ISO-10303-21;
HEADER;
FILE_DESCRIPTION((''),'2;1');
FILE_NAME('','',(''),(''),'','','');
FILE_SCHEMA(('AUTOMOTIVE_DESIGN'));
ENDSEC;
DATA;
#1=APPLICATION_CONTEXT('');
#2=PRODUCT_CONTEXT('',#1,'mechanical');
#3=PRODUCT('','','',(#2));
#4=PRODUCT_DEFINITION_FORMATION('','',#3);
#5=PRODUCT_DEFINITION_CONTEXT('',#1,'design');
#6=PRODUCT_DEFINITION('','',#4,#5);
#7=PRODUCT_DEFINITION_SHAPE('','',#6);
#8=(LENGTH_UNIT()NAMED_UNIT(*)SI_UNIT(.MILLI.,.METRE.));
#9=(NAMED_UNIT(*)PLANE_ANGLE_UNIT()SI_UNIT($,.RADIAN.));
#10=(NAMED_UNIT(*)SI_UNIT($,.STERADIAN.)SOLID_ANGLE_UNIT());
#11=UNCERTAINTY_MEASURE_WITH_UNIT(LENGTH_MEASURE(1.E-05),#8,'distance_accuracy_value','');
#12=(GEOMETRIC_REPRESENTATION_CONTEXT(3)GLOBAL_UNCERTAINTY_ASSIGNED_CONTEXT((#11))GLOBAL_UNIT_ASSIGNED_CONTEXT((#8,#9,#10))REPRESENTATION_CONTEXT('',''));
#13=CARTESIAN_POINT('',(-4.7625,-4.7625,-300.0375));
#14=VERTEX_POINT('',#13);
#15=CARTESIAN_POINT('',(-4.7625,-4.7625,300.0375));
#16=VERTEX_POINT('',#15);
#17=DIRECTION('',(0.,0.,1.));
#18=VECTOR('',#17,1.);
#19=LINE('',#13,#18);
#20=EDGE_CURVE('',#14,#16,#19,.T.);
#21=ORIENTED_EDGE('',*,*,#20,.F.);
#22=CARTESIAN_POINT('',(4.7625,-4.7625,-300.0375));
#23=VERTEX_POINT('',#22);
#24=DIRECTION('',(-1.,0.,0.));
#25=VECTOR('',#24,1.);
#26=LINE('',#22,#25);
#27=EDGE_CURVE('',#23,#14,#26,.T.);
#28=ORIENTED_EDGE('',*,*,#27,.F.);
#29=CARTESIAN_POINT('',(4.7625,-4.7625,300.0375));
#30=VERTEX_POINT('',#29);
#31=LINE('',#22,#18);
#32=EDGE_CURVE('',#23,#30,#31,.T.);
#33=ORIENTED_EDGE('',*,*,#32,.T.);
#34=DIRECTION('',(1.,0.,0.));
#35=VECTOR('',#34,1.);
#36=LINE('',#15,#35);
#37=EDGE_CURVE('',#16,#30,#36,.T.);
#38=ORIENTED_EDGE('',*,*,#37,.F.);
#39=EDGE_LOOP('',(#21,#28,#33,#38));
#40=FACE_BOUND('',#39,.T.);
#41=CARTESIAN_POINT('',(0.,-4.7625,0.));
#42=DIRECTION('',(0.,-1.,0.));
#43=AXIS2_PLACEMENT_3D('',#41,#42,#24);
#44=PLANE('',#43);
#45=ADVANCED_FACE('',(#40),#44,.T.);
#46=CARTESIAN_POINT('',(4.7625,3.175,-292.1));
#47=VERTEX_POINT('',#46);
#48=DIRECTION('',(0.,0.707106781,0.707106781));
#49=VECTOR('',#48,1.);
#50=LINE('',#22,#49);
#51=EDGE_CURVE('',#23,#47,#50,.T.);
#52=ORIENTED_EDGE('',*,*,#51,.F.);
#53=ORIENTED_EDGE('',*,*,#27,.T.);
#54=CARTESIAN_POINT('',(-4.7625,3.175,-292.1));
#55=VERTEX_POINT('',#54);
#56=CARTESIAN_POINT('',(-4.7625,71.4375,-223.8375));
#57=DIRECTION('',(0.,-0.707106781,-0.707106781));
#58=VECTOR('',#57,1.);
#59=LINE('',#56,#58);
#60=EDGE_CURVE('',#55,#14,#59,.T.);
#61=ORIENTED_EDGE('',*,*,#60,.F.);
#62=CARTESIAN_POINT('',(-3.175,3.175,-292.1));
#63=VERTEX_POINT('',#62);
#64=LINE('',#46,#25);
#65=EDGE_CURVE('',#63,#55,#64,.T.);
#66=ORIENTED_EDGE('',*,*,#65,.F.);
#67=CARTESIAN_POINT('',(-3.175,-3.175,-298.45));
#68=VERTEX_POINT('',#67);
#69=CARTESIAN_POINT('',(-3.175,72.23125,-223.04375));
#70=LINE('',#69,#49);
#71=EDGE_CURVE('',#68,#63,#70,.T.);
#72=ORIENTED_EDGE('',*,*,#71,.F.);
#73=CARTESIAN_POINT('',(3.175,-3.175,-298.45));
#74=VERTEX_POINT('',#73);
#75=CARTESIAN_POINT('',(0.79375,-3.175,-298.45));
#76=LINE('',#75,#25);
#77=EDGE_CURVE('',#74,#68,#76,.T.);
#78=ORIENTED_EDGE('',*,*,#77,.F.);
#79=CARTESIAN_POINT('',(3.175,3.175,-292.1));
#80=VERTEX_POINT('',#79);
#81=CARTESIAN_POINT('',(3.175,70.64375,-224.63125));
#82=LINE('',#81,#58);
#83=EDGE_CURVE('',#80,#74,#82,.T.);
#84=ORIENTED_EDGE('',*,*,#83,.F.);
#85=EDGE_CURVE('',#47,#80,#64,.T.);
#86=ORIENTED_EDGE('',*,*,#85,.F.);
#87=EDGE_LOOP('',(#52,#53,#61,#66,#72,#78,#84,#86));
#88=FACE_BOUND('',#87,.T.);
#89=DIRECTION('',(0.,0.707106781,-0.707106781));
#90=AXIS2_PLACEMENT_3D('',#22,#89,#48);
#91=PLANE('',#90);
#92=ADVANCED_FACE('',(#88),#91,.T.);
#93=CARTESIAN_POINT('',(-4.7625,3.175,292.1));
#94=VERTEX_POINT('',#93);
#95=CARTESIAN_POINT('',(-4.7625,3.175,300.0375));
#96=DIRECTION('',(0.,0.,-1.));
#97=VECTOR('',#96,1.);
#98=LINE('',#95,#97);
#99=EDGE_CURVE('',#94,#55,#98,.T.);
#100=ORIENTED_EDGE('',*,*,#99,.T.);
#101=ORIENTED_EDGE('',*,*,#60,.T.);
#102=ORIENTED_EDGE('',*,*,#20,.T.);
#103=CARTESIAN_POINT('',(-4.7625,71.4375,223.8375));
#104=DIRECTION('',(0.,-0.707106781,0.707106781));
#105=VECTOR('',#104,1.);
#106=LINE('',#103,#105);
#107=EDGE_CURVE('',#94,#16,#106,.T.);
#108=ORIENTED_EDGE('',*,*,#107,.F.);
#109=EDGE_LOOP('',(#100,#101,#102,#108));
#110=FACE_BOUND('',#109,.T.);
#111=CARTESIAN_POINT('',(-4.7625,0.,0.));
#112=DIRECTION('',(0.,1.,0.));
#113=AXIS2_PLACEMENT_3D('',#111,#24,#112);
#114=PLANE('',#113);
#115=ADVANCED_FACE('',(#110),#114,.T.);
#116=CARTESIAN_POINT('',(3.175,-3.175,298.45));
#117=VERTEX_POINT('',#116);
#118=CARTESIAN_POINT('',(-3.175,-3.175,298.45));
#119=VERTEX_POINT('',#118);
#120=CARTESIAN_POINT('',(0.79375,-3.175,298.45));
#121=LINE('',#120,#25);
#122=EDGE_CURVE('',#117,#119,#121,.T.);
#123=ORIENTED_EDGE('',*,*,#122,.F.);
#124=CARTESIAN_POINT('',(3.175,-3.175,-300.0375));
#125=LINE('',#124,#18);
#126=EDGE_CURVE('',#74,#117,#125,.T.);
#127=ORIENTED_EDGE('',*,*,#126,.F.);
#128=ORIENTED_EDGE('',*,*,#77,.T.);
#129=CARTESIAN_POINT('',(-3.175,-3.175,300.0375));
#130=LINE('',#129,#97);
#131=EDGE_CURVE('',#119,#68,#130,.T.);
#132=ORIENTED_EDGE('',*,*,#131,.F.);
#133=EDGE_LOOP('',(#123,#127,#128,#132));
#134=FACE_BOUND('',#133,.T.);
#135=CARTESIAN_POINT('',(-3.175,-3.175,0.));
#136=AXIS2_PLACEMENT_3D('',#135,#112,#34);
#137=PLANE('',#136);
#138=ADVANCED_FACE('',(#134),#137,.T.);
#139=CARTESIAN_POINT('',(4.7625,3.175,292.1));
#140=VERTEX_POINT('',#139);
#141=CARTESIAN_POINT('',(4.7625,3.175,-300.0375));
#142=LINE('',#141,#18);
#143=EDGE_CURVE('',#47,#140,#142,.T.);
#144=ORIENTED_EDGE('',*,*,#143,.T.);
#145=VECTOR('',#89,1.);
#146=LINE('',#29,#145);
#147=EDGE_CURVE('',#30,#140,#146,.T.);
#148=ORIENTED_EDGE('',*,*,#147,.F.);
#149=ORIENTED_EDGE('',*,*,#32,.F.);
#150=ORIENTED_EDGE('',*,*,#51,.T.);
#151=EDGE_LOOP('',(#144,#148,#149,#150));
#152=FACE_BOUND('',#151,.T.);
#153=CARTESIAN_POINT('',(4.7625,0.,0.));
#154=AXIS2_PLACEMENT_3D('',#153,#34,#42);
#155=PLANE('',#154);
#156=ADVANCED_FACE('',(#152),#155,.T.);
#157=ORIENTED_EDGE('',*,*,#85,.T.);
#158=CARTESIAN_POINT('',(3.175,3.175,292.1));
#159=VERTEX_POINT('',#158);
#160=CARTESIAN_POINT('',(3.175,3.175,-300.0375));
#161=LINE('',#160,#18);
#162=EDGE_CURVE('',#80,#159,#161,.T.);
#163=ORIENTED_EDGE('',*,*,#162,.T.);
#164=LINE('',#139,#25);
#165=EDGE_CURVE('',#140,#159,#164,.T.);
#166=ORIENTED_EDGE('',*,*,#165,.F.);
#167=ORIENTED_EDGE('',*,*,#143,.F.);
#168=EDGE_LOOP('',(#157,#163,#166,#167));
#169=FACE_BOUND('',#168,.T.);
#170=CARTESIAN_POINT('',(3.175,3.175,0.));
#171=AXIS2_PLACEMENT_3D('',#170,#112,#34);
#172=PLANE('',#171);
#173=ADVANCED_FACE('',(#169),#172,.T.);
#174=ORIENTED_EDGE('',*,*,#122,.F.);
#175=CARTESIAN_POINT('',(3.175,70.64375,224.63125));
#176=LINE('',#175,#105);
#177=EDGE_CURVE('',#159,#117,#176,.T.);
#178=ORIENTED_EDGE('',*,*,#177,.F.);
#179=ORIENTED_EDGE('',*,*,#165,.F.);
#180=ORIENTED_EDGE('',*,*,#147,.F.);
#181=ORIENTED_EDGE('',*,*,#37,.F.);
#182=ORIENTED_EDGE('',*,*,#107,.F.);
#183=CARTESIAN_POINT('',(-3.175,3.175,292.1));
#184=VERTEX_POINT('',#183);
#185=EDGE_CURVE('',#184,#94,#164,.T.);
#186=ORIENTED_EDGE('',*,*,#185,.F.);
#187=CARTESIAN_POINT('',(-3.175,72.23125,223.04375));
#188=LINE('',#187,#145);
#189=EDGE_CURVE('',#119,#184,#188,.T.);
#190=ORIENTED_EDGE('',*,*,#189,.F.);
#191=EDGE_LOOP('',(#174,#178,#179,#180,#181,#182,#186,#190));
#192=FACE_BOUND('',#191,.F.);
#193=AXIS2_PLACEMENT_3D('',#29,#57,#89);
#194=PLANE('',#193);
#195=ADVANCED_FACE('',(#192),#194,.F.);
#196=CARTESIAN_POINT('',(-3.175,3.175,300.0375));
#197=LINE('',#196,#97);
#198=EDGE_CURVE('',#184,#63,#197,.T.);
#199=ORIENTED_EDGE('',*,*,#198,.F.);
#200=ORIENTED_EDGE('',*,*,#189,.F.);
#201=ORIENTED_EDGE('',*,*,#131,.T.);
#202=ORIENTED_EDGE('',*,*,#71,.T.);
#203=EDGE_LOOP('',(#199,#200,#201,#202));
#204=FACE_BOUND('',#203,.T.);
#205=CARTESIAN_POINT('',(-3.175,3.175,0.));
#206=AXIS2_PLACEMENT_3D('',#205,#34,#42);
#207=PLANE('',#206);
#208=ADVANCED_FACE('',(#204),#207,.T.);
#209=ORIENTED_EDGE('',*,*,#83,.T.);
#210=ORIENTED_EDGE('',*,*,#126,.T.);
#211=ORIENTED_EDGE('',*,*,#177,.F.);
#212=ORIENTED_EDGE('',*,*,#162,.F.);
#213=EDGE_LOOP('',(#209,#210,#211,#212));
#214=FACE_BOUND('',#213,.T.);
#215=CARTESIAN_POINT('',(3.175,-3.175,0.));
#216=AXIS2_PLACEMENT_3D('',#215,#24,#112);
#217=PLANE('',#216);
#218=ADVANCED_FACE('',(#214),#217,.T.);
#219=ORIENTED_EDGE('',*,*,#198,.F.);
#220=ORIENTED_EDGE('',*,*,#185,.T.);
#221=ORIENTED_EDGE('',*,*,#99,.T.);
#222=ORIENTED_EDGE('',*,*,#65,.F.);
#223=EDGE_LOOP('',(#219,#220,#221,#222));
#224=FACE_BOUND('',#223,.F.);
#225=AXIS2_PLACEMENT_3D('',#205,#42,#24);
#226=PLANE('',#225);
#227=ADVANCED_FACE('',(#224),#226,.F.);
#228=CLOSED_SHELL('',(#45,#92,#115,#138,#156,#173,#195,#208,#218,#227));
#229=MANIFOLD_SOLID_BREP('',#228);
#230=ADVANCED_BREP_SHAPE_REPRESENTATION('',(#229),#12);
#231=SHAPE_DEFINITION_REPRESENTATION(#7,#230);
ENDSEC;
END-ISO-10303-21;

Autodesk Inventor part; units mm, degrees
ref_plane "YZ Plane" through (0, 0, 0) normal (1, 0, 0) x (0, 1, 0)
ref_plane "XZ Plane" through (0, 0, 0) normal (0, 1, 0) x (-1, 0, 0)
ref_plane "XY Plane" through (0, 0, 0) normal (0, 0, 1) x (1, 0, 0)
sketch "Sketch1" plane through (0, 0, 0) normal (0, 0, 1) x (1, 0, 0)
  line L0 (-6.6675, 0) -> (6.6675, 0) projected
  line L1 (0, -6.35) -> (0, 4.7625) projected
  line L2 (-3.175, 3.175) -> (-3.175, -3.175)
  line L3 (-3.175, -3.175) -> (3.175, -3.175)
  line L4 (3.175, -3.175) -> (3.175, 3.175)
  line L5 (4.7625, 3.175) -> (4.7625, -4.7625)
  line L6 (4.7625, -4.7625) -> (-4.7625, -4.7625)
  line L7 (-4.7625, -4.7625) -> (-4.7625, 3.175)
  line L8 (-3.175, 3.175) -> (-4.7625, 3.175)
  line L9 (3.175, 3.175) -> (4.7625, 3.175)
  point P0 (0, 0)
  point P1 (0, -3.175)
  point P2 (-3.175, 0)
  dimension "d0" = 1.5875
  dimension "d1" = 6.35
  dimension "d2" = 6.35
extrude "Extrusion1" add sketch "Sketch1" along normal mid plane 600.075 contours L7 L8 L2 L0 | L0 L2 L3 L1 L6 L7 | L1 L3 L4 L0 L5 L6 | L4 L9 L5 L0
sketch "Sketch2" plane through (4.7625, -4.7625, 300.0375) normal (1, 0, 0) x (0, 0, -1)
  line L0 (0, 7.9375) -> (0, 0) projected
  line L1 (0, 0) -> (600.075, 0) projected
  line L2 (0, 7.9375) -> (600.075, 7.9375) projected
  line L3 (0, 0) -> (7.9375, 7.9375)
  line L4 (7.9375, 7.9375) -> (0, 7.9375)
  line L5 (0, 7.9375) -> (0, 0)
  line L6 (300.0375, 0) -> (300.0375, 7.9375) construction
  line L7 (600.075, 7.9375) -> (600.075, 0)
  line L8 (600.075, 0) -> (592.1375, 7.9375)
  line L9 (600.075, 7.9375) -> (592.1375, 7.9375)
  line L10 (7.9375, 7.9375) -> (0, 7.9375)
  point P0 (300.0375, 4.7625)
  dimension "d5" = 45
extrude "Extrusion2" cut sketch "Sketch2" against normal through all contours L2 L3 L0 | L8 L2 L7
properties part number "c-channel template" material "Aluminum-6061"
